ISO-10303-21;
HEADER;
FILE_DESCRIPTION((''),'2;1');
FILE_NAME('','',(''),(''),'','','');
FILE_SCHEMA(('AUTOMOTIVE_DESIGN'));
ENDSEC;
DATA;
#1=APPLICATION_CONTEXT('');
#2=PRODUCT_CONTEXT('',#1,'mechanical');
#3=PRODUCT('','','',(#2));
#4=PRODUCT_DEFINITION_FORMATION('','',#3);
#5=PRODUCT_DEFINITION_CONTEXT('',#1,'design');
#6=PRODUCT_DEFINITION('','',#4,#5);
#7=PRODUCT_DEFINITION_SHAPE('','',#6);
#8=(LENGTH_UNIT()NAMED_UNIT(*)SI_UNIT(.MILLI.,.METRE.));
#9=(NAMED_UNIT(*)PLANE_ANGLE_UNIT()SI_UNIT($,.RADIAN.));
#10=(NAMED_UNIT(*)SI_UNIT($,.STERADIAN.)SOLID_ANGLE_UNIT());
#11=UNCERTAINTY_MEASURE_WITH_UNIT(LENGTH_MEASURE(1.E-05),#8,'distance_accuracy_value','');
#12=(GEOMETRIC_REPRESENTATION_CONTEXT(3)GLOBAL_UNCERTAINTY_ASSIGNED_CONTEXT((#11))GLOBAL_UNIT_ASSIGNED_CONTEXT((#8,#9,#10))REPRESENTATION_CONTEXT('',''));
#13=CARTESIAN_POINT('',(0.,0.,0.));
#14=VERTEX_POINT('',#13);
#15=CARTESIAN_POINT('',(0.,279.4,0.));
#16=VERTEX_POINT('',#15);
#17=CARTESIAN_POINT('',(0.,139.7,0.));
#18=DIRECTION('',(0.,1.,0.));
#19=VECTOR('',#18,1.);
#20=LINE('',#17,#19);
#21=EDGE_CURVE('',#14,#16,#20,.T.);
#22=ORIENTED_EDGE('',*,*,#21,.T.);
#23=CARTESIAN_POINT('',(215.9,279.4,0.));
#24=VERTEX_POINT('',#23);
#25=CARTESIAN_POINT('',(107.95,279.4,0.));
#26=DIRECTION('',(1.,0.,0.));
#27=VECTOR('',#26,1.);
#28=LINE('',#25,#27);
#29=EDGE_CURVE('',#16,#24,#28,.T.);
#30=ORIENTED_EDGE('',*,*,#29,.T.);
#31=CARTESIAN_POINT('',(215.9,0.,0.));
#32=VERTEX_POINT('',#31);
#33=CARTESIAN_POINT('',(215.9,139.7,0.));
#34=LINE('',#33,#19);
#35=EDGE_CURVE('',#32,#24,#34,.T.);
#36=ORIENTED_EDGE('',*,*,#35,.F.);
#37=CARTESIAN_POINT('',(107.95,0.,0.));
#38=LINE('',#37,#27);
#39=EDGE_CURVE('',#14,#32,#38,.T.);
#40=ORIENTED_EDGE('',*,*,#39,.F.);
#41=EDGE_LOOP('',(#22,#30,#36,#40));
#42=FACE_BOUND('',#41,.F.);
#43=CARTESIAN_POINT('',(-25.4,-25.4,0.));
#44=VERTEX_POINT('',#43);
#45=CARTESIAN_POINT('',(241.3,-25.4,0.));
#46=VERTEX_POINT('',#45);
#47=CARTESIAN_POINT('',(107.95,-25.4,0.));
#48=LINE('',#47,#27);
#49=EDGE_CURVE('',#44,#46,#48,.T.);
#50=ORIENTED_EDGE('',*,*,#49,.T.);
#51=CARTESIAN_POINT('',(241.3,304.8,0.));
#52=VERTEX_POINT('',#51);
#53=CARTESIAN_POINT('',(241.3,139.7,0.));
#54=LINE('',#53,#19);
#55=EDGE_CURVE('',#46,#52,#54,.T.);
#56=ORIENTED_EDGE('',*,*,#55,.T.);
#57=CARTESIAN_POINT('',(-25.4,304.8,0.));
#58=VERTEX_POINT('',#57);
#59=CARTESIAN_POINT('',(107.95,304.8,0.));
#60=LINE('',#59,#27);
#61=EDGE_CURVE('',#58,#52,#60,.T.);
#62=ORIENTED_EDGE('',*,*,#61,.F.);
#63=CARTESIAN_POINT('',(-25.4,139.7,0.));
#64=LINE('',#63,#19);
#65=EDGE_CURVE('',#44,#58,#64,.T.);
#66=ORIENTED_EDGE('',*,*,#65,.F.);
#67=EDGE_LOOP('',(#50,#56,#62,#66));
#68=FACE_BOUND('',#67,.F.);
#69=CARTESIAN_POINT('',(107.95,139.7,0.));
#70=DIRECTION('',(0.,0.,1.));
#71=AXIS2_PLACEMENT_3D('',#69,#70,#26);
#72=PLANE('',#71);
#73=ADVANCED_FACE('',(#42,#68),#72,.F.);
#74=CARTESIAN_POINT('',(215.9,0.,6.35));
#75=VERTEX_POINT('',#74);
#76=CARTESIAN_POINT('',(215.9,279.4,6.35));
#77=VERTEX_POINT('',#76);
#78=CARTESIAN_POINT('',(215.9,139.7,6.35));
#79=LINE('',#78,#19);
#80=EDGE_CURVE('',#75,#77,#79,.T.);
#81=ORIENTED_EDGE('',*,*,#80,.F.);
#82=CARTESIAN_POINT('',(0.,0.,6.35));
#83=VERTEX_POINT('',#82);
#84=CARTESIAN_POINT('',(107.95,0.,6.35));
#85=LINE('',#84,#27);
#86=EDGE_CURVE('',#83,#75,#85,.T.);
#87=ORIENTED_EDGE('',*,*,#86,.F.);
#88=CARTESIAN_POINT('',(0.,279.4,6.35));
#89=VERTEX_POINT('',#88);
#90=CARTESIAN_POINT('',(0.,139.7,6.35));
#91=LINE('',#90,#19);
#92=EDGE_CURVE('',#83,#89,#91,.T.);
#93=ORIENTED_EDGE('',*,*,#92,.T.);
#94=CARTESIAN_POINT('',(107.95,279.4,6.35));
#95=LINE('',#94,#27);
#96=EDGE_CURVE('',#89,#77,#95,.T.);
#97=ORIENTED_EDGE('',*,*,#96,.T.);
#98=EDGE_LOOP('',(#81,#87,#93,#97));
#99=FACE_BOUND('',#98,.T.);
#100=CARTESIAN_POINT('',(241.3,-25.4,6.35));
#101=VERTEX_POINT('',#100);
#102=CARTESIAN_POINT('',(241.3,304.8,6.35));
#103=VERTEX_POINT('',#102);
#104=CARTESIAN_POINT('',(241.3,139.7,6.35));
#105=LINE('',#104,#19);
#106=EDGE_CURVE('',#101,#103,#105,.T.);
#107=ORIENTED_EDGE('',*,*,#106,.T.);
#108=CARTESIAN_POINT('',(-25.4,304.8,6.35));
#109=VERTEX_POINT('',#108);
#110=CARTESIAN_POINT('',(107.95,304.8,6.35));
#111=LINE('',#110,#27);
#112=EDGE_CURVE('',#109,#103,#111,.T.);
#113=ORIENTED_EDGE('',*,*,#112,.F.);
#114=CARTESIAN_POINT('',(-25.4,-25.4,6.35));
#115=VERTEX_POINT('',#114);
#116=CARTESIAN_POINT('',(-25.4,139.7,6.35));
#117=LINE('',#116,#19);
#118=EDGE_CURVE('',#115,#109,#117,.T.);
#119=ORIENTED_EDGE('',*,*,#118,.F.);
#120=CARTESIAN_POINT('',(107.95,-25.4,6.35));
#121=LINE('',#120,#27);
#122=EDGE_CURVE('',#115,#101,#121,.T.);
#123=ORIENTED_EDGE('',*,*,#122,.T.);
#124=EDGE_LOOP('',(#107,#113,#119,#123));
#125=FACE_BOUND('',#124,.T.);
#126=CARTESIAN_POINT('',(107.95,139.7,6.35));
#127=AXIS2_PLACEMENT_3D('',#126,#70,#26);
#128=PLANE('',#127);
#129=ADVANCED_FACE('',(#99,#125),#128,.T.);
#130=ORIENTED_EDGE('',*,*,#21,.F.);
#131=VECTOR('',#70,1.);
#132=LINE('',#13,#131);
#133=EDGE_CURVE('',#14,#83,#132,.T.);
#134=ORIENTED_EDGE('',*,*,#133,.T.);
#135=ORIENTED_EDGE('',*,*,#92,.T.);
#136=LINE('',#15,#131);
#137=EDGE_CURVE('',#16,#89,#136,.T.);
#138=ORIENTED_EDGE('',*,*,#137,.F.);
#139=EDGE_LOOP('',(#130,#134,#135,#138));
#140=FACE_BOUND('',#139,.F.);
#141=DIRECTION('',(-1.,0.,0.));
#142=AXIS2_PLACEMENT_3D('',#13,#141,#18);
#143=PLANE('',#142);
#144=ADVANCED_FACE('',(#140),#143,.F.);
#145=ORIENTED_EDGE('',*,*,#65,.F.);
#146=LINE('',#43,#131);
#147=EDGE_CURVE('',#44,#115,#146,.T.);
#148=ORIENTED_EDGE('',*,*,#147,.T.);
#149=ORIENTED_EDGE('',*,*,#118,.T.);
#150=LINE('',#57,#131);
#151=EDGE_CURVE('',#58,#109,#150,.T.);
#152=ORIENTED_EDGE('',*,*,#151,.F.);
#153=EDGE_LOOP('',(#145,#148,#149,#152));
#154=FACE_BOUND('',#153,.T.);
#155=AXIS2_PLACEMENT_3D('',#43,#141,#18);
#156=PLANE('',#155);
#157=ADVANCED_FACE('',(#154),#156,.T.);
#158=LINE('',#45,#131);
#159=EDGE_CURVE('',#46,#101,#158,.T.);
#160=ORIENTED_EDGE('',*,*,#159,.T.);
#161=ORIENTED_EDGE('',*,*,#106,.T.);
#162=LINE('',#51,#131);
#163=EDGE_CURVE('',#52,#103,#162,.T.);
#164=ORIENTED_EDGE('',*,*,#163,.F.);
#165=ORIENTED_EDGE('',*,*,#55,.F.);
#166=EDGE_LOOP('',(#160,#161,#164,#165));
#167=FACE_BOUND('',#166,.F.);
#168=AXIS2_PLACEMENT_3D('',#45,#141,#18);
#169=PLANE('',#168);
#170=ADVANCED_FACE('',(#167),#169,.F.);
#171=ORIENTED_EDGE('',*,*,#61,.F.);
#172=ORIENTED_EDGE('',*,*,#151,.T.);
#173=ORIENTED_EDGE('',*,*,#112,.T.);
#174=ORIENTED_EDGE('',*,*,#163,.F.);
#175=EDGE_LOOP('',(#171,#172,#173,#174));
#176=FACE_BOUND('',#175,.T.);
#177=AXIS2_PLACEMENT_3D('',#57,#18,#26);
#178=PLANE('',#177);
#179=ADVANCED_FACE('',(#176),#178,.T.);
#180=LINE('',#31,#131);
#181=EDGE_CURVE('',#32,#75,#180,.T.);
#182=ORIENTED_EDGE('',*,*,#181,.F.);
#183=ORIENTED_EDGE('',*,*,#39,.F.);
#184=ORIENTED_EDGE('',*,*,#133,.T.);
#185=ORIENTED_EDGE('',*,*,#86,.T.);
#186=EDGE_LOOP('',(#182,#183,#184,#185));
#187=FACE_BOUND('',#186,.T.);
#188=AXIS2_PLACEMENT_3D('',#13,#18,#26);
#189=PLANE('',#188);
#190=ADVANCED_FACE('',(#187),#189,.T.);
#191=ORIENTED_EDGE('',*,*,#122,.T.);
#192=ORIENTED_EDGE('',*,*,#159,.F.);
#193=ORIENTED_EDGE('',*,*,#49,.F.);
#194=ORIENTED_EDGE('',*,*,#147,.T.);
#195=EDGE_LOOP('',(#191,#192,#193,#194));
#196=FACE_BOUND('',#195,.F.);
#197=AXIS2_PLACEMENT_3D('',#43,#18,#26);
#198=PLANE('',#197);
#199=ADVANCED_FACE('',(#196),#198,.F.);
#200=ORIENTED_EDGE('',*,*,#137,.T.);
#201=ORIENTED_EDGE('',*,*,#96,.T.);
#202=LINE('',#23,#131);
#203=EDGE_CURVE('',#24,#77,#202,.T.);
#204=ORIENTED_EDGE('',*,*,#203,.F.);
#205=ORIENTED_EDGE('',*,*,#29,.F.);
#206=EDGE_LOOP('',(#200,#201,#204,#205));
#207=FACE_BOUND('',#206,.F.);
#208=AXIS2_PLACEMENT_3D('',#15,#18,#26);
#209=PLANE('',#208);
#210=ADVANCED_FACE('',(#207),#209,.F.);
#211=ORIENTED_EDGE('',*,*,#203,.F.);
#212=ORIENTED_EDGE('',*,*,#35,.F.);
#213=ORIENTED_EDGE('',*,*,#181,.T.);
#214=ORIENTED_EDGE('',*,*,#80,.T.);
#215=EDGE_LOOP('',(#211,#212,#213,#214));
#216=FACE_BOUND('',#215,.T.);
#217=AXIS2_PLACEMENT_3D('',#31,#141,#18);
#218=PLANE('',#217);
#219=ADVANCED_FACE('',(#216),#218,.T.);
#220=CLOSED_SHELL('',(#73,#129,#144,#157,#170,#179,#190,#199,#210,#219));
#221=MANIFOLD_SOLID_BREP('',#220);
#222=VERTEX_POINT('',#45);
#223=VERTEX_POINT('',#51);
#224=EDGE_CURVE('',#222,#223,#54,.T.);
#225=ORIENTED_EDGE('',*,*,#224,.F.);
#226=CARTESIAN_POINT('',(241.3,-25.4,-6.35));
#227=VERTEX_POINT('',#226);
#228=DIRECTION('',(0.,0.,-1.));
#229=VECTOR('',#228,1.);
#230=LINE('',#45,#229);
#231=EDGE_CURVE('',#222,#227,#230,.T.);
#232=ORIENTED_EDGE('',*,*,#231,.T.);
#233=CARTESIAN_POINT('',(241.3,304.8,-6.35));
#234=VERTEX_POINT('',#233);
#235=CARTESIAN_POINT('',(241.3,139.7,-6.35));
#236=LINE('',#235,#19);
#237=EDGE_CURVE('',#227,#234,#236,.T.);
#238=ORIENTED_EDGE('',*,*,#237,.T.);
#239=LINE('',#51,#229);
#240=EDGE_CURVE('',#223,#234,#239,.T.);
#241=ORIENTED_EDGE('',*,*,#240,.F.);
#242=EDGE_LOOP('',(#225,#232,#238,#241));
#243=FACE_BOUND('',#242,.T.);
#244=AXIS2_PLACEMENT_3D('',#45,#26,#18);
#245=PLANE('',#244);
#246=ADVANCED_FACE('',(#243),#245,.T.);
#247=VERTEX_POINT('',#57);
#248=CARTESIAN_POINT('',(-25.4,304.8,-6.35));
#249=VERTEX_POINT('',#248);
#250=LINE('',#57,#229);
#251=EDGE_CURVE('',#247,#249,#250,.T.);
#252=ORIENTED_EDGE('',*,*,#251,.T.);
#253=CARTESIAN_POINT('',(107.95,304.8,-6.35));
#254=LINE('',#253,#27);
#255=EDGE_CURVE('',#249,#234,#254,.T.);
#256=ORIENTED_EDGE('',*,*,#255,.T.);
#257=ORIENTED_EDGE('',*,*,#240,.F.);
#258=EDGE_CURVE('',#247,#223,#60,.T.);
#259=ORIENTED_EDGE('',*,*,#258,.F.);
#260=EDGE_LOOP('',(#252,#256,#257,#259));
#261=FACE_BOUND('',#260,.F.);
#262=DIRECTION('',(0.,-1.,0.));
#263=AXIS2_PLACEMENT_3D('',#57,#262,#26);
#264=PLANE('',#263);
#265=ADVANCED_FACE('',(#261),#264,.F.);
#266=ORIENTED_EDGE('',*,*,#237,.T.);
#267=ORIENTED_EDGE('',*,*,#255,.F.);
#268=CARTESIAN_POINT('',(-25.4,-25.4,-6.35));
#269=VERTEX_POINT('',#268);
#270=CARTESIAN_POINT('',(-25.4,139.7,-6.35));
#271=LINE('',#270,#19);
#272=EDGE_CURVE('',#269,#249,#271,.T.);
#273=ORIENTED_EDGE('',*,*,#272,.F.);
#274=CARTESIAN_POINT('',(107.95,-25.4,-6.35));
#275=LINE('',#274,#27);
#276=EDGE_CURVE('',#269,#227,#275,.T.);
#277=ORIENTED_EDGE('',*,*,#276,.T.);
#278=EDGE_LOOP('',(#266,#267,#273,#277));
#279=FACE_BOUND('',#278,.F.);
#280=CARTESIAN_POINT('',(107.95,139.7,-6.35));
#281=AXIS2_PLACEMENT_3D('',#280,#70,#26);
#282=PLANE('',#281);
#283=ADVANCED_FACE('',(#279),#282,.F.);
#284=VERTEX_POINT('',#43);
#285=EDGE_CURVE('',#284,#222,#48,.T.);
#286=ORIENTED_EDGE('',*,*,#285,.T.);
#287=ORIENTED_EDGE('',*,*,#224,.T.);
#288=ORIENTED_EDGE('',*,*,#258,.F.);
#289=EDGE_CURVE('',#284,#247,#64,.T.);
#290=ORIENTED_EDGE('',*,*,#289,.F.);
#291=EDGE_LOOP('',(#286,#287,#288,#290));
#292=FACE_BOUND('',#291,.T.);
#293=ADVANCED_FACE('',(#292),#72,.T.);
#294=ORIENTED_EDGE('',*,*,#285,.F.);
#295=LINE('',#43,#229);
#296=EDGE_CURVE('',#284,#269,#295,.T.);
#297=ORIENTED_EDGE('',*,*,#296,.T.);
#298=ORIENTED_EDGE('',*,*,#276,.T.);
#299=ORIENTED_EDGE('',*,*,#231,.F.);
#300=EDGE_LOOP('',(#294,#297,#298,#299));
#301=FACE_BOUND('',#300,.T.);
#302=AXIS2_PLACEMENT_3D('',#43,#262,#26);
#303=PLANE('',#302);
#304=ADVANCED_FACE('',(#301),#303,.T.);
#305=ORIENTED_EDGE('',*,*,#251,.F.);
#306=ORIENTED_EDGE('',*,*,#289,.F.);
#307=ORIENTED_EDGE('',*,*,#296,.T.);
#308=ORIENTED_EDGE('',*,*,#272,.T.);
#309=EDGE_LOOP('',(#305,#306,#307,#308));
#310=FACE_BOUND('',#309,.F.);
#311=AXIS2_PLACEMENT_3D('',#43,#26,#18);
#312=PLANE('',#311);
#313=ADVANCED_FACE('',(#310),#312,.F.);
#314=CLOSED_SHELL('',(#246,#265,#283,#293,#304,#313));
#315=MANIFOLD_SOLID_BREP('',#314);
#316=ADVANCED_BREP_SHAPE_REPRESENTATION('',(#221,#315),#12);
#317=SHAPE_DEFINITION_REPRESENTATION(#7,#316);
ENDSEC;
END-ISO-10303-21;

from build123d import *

# Parameters (mm, degrees)
F0_W     = 266.7
F0_H     = 330.2
F0_W_2   = 215.9
F0_H_2   = 279.4
F1_DEPTH = 6.35
F2_DEPTH = 6.35


with BuildPart() as f1:
    # F0 (on Top) → F1 (new body)
    with BuildSketch(Plane.XY):
        with Locations((107.95, 139.7)):
            Rectangle(F0_W, F0_H)
        with Locations((107.95, 139.7)):
            Rectangle(F0_W_2, F0_H_2, mode=Mode.SUBTRACT)
        with Locations((107.95, 139.7)):
            Rectangle(F0_W_2, F0_H_2)
    extrude(amount=-F1_DEPTH)


with BuildPart() as f2:
    # F0 (on Top) → F2 (new body)
    with BuildSketch(Plane.XY):
        with Locations((107.95, 139.7)):
            Rectangle(F0_W, F0_H)
        with Locations((107.95, 139.7)):
            Rectangle(F0_W_2, F0_H_2, mode=Mode.SUBTRACT)
    extrude(amount=F2_DEPTH)


solid = Compound([f1.part, f2.part])
